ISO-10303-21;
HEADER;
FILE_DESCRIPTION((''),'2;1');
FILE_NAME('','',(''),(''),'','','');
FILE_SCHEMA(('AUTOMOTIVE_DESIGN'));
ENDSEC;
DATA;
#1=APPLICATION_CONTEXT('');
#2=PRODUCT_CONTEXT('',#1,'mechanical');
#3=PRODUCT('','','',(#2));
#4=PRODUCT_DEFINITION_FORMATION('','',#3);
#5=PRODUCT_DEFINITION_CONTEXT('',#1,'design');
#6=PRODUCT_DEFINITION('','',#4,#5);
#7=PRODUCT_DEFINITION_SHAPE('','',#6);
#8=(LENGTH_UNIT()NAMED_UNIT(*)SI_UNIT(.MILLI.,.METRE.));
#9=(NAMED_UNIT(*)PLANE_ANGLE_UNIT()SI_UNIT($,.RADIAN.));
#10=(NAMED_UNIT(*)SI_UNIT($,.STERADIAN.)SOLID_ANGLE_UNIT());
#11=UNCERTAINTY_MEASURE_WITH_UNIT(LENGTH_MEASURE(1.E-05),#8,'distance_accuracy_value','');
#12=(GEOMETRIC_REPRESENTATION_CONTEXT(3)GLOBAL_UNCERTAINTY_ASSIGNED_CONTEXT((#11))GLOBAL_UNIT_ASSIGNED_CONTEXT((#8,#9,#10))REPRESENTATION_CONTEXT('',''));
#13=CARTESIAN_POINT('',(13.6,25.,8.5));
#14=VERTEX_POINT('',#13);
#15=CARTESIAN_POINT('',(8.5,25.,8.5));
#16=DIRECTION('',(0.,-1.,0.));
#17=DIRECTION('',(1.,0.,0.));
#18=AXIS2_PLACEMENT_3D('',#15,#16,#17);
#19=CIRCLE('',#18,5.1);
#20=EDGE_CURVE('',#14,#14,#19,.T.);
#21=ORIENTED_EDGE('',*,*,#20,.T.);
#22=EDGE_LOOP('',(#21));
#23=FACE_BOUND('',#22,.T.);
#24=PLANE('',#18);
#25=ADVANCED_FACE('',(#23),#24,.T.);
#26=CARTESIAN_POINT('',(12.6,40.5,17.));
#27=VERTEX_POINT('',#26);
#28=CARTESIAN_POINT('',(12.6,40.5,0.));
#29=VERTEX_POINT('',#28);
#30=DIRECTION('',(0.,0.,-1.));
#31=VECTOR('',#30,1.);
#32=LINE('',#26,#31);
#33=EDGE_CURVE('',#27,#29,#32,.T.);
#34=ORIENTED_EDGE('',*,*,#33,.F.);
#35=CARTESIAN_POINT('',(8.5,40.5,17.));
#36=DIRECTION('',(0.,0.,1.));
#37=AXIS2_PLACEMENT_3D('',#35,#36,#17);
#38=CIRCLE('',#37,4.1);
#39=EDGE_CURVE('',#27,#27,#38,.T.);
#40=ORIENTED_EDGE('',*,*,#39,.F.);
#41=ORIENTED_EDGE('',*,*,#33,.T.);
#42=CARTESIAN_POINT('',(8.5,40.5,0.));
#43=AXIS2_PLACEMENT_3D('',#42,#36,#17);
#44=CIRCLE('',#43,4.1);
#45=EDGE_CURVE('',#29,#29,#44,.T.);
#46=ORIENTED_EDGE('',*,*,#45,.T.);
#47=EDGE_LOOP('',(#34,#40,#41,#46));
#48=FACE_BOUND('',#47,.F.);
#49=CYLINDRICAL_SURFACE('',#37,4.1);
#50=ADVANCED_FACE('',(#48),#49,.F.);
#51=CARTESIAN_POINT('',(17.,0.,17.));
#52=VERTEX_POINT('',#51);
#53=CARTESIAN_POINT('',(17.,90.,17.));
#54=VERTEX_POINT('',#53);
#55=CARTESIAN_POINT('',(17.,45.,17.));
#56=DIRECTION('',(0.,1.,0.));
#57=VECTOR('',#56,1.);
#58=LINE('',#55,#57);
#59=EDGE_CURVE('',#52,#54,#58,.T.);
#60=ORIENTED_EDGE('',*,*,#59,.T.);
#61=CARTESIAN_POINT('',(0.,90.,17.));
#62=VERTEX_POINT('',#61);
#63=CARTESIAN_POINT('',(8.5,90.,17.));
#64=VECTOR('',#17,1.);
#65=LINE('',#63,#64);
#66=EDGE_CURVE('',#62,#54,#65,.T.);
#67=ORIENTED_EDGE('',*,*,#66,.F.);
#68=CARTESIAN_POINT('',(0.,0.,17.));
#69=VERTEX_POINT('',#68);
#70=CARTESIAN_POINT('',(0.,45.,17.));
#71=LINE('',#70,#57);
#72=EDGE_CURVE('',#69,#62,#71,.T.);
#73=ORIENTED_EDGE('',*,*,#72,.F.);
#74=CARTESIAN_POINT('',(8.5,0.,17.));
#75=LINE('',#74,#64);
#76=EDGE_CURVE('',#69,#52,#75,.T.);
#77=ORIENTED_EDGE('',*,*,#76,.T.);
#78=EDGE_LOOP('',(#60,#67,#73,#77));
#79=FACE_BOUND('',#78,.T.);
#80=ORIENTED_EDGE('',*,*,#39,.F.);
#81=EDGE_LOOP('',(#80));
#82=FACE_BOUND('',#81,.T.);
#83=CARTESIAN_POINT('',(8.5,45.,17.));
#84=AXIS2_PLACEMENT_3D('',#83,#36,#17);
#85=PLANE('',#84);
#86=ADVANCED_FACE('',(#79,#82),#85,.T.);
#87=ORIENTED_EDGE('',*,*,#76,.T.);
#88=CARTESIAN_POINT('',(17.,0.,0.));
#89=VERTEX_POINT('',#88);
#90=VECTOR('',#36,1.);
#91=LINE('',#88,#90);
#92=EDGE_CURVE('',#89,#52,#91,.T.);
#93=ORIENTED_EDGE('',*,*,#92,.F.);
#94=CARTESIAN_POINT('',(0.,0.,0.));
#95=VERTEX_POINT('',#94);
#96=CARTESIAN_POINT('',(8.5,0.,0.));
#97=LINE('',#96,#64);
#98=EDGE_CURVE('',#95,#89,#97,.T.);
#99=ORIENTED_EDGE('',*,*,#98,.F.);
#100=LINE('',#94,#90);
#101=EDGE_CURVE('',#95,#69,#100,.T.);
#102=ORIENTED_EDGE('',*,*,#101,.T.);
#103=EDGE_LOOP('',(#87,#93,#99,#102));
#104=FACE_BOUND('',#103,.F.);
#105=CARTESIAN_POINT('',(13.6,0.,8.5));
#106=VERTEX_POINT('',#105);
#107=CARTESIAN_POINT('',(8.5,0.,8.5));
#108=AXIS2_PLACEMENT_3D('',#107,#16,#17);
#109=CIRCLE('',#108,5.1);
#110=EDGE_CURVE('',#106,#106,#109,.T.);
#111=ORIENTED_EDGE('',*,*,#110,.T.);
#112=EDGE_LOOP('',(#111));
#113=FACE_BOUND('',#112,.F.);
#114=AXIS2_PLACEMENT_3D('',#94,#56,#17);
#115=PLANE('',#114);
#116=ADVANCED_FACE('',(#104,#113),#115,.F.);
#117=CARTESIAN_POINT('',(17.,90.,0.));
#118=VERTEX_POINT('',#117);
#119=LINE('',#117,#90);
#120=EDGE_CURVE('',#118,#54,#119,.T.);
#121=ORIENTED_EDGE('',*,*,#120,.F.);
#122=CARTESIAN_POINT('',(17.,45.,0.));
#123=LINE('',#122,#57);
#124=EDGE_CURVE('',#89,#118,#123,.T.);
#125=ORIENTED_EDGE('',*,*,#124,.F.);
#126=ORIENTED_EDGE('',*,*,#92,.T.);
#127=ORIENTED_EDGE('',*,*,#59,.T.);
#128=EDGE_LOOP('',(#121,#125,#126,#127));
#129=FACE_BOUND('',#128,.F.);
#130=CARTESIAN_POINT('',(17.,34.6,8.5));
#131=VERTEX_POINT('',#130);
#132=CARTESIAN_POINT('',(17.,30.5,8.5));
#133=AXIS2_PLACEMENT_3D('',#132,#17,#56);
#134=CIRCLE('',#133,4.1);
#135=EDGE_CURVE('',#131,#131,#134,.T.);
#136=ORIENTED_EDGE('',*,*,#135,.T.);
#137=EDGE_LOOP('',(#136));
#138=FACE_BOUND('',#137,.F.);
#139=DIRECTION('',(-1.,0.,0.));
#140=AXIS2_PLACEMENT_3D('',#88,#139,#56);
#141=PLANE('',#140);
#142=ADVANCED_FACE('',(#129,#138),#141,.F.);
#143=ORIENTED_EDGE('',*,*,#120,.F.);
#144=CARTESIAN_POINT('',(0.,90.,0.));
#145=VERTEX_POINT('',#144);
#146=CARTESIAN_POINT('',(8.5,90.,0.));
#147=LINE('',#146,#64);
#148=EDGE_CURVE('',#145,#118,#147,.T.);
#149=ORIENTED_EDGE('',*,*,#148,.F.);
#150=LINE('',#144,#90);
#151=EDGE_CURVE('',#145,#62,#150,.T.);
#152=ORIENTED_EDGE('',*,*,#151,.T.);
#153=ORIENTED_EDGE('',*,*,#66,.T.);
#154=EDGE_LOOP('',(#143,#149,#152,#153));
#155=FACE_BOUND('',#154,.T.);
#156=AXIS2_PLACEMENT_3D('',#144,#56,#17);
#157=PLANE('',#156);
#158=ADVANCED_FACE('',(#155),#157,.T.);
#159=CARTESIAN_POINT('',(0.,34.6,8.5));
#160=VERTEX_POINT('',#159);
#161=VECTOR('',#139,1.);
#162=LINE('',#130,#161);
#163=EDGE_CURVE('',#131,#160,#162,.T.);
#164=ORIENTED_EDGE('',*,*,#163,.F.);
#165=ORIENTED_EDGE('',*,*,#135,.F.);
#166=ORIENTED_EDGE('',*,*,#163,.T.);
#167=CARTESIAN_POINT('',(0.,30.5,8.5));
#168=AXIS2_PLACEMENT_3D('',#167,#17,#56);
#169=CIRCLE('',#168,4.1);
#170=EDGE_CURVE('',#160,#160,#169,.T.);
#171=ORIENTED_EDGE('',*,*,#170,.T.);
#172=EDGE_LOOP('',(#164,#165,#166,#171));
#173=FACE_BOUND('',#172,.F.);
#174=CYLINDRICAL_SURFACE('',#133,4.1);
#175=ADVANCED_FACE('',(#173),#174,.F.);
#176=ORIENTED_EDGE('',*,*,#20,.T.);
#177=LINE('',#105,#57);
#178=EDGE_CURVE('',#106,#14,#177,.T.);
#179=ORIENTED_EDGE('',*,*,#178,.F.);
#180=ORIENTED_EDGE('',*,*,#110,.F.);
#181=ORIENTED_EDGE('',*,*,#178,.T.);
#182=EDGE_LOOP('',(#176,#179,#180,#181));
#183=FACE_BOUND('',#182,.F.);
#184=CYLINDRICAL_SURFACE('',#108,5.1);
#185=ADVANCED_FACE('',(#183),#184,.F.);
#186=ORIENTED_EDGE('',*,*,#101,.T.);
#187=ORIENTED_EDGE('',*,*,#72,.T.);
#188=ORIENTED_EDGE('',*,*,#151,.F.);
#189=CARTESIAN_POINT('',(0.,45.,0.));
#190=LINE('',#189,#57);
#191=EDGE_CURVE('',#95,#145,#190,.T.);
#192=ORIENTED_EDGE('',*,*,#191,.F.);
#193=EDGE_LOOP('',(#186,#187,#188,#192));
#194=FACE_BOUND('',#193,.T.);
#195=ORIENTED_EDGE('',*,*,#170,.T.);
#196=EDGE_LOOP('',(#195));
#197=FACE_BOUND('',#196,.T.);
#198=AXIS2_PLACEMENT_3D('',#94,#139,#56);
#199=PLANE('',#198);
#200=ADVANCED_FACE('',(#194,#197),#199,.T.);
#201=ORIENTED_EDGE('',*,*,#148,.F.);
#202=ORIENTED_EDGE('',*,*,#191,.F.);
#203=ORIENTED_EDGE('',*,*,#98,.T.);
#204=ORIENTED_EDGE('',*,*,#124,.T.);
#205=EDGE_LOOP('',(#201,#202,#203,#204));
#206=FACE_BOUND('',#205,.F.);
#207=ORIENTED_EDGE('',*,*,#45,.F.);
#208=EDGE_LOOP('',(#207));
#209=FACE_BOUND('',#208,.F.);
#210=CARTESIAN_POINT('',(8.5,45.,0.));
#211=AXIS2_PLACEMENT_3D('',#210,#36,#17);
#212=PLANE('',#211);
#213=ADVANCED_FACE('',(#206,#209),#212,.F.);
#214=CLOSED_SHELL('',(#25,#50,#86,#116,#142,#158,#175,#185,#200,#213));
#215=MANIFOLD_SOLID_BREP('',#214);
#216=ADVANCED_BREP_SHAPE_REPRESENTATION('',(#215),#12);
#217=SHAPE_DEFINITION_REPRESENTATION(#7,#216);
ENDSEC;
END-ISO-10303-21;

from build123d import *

# Parameters (mm, degrees)
SKETCH_W        = 17
SKETCH_H        = 90
PAD_DEPTH       = 17
SKETCH001_R     = 5.1
POCKET_DEPTH    = 25
SKETCH002_R     = 4.1
POCKET001_DEPTH = 17.001
SKETCH003_R     = 4.1
POCKET002_DEPTH = 17.001


with BuildPart() as part:
    # Sketch → Pad (new body)
    with BuildSketch(Plane.XY):
        with Locations((8.5, 45)):
            Rectangle(SKETCH_W, SKETCH_H)
    extrude(amount=PAD_DEPTH)

    # Sketch001 → Pocket (cut)
    with BuildSketch(Plane.XZ):
        with Locations((8.5, 8.5)):
            Circle(SKETCH001_R)
    extrude(amount=-POCKET_DEPTH, mode=Mode.SUBTRACT)

    # Sketch002 → Pocket001 (cut, through all)
    with BuildSketch(Plane.XY.offset(17)):
        with Locations((8.5, 40.5)):
            Circle(SKETCH002_R)
    extrude(amount=-POCKET001_DEPTH, mode=Mode.SUBTRACT)

    # Sketch003 → Pocket002 (cut, through all)
    with BuildSketch(Plane.YZ.offset(17)):
        with Locations((30.5, 8.5)):
            Circle(SKETCH003_R)
    extrude(amount=-POCKET002_DEPTH, mode=Mode.SUBTRACT)


solid = part.part
